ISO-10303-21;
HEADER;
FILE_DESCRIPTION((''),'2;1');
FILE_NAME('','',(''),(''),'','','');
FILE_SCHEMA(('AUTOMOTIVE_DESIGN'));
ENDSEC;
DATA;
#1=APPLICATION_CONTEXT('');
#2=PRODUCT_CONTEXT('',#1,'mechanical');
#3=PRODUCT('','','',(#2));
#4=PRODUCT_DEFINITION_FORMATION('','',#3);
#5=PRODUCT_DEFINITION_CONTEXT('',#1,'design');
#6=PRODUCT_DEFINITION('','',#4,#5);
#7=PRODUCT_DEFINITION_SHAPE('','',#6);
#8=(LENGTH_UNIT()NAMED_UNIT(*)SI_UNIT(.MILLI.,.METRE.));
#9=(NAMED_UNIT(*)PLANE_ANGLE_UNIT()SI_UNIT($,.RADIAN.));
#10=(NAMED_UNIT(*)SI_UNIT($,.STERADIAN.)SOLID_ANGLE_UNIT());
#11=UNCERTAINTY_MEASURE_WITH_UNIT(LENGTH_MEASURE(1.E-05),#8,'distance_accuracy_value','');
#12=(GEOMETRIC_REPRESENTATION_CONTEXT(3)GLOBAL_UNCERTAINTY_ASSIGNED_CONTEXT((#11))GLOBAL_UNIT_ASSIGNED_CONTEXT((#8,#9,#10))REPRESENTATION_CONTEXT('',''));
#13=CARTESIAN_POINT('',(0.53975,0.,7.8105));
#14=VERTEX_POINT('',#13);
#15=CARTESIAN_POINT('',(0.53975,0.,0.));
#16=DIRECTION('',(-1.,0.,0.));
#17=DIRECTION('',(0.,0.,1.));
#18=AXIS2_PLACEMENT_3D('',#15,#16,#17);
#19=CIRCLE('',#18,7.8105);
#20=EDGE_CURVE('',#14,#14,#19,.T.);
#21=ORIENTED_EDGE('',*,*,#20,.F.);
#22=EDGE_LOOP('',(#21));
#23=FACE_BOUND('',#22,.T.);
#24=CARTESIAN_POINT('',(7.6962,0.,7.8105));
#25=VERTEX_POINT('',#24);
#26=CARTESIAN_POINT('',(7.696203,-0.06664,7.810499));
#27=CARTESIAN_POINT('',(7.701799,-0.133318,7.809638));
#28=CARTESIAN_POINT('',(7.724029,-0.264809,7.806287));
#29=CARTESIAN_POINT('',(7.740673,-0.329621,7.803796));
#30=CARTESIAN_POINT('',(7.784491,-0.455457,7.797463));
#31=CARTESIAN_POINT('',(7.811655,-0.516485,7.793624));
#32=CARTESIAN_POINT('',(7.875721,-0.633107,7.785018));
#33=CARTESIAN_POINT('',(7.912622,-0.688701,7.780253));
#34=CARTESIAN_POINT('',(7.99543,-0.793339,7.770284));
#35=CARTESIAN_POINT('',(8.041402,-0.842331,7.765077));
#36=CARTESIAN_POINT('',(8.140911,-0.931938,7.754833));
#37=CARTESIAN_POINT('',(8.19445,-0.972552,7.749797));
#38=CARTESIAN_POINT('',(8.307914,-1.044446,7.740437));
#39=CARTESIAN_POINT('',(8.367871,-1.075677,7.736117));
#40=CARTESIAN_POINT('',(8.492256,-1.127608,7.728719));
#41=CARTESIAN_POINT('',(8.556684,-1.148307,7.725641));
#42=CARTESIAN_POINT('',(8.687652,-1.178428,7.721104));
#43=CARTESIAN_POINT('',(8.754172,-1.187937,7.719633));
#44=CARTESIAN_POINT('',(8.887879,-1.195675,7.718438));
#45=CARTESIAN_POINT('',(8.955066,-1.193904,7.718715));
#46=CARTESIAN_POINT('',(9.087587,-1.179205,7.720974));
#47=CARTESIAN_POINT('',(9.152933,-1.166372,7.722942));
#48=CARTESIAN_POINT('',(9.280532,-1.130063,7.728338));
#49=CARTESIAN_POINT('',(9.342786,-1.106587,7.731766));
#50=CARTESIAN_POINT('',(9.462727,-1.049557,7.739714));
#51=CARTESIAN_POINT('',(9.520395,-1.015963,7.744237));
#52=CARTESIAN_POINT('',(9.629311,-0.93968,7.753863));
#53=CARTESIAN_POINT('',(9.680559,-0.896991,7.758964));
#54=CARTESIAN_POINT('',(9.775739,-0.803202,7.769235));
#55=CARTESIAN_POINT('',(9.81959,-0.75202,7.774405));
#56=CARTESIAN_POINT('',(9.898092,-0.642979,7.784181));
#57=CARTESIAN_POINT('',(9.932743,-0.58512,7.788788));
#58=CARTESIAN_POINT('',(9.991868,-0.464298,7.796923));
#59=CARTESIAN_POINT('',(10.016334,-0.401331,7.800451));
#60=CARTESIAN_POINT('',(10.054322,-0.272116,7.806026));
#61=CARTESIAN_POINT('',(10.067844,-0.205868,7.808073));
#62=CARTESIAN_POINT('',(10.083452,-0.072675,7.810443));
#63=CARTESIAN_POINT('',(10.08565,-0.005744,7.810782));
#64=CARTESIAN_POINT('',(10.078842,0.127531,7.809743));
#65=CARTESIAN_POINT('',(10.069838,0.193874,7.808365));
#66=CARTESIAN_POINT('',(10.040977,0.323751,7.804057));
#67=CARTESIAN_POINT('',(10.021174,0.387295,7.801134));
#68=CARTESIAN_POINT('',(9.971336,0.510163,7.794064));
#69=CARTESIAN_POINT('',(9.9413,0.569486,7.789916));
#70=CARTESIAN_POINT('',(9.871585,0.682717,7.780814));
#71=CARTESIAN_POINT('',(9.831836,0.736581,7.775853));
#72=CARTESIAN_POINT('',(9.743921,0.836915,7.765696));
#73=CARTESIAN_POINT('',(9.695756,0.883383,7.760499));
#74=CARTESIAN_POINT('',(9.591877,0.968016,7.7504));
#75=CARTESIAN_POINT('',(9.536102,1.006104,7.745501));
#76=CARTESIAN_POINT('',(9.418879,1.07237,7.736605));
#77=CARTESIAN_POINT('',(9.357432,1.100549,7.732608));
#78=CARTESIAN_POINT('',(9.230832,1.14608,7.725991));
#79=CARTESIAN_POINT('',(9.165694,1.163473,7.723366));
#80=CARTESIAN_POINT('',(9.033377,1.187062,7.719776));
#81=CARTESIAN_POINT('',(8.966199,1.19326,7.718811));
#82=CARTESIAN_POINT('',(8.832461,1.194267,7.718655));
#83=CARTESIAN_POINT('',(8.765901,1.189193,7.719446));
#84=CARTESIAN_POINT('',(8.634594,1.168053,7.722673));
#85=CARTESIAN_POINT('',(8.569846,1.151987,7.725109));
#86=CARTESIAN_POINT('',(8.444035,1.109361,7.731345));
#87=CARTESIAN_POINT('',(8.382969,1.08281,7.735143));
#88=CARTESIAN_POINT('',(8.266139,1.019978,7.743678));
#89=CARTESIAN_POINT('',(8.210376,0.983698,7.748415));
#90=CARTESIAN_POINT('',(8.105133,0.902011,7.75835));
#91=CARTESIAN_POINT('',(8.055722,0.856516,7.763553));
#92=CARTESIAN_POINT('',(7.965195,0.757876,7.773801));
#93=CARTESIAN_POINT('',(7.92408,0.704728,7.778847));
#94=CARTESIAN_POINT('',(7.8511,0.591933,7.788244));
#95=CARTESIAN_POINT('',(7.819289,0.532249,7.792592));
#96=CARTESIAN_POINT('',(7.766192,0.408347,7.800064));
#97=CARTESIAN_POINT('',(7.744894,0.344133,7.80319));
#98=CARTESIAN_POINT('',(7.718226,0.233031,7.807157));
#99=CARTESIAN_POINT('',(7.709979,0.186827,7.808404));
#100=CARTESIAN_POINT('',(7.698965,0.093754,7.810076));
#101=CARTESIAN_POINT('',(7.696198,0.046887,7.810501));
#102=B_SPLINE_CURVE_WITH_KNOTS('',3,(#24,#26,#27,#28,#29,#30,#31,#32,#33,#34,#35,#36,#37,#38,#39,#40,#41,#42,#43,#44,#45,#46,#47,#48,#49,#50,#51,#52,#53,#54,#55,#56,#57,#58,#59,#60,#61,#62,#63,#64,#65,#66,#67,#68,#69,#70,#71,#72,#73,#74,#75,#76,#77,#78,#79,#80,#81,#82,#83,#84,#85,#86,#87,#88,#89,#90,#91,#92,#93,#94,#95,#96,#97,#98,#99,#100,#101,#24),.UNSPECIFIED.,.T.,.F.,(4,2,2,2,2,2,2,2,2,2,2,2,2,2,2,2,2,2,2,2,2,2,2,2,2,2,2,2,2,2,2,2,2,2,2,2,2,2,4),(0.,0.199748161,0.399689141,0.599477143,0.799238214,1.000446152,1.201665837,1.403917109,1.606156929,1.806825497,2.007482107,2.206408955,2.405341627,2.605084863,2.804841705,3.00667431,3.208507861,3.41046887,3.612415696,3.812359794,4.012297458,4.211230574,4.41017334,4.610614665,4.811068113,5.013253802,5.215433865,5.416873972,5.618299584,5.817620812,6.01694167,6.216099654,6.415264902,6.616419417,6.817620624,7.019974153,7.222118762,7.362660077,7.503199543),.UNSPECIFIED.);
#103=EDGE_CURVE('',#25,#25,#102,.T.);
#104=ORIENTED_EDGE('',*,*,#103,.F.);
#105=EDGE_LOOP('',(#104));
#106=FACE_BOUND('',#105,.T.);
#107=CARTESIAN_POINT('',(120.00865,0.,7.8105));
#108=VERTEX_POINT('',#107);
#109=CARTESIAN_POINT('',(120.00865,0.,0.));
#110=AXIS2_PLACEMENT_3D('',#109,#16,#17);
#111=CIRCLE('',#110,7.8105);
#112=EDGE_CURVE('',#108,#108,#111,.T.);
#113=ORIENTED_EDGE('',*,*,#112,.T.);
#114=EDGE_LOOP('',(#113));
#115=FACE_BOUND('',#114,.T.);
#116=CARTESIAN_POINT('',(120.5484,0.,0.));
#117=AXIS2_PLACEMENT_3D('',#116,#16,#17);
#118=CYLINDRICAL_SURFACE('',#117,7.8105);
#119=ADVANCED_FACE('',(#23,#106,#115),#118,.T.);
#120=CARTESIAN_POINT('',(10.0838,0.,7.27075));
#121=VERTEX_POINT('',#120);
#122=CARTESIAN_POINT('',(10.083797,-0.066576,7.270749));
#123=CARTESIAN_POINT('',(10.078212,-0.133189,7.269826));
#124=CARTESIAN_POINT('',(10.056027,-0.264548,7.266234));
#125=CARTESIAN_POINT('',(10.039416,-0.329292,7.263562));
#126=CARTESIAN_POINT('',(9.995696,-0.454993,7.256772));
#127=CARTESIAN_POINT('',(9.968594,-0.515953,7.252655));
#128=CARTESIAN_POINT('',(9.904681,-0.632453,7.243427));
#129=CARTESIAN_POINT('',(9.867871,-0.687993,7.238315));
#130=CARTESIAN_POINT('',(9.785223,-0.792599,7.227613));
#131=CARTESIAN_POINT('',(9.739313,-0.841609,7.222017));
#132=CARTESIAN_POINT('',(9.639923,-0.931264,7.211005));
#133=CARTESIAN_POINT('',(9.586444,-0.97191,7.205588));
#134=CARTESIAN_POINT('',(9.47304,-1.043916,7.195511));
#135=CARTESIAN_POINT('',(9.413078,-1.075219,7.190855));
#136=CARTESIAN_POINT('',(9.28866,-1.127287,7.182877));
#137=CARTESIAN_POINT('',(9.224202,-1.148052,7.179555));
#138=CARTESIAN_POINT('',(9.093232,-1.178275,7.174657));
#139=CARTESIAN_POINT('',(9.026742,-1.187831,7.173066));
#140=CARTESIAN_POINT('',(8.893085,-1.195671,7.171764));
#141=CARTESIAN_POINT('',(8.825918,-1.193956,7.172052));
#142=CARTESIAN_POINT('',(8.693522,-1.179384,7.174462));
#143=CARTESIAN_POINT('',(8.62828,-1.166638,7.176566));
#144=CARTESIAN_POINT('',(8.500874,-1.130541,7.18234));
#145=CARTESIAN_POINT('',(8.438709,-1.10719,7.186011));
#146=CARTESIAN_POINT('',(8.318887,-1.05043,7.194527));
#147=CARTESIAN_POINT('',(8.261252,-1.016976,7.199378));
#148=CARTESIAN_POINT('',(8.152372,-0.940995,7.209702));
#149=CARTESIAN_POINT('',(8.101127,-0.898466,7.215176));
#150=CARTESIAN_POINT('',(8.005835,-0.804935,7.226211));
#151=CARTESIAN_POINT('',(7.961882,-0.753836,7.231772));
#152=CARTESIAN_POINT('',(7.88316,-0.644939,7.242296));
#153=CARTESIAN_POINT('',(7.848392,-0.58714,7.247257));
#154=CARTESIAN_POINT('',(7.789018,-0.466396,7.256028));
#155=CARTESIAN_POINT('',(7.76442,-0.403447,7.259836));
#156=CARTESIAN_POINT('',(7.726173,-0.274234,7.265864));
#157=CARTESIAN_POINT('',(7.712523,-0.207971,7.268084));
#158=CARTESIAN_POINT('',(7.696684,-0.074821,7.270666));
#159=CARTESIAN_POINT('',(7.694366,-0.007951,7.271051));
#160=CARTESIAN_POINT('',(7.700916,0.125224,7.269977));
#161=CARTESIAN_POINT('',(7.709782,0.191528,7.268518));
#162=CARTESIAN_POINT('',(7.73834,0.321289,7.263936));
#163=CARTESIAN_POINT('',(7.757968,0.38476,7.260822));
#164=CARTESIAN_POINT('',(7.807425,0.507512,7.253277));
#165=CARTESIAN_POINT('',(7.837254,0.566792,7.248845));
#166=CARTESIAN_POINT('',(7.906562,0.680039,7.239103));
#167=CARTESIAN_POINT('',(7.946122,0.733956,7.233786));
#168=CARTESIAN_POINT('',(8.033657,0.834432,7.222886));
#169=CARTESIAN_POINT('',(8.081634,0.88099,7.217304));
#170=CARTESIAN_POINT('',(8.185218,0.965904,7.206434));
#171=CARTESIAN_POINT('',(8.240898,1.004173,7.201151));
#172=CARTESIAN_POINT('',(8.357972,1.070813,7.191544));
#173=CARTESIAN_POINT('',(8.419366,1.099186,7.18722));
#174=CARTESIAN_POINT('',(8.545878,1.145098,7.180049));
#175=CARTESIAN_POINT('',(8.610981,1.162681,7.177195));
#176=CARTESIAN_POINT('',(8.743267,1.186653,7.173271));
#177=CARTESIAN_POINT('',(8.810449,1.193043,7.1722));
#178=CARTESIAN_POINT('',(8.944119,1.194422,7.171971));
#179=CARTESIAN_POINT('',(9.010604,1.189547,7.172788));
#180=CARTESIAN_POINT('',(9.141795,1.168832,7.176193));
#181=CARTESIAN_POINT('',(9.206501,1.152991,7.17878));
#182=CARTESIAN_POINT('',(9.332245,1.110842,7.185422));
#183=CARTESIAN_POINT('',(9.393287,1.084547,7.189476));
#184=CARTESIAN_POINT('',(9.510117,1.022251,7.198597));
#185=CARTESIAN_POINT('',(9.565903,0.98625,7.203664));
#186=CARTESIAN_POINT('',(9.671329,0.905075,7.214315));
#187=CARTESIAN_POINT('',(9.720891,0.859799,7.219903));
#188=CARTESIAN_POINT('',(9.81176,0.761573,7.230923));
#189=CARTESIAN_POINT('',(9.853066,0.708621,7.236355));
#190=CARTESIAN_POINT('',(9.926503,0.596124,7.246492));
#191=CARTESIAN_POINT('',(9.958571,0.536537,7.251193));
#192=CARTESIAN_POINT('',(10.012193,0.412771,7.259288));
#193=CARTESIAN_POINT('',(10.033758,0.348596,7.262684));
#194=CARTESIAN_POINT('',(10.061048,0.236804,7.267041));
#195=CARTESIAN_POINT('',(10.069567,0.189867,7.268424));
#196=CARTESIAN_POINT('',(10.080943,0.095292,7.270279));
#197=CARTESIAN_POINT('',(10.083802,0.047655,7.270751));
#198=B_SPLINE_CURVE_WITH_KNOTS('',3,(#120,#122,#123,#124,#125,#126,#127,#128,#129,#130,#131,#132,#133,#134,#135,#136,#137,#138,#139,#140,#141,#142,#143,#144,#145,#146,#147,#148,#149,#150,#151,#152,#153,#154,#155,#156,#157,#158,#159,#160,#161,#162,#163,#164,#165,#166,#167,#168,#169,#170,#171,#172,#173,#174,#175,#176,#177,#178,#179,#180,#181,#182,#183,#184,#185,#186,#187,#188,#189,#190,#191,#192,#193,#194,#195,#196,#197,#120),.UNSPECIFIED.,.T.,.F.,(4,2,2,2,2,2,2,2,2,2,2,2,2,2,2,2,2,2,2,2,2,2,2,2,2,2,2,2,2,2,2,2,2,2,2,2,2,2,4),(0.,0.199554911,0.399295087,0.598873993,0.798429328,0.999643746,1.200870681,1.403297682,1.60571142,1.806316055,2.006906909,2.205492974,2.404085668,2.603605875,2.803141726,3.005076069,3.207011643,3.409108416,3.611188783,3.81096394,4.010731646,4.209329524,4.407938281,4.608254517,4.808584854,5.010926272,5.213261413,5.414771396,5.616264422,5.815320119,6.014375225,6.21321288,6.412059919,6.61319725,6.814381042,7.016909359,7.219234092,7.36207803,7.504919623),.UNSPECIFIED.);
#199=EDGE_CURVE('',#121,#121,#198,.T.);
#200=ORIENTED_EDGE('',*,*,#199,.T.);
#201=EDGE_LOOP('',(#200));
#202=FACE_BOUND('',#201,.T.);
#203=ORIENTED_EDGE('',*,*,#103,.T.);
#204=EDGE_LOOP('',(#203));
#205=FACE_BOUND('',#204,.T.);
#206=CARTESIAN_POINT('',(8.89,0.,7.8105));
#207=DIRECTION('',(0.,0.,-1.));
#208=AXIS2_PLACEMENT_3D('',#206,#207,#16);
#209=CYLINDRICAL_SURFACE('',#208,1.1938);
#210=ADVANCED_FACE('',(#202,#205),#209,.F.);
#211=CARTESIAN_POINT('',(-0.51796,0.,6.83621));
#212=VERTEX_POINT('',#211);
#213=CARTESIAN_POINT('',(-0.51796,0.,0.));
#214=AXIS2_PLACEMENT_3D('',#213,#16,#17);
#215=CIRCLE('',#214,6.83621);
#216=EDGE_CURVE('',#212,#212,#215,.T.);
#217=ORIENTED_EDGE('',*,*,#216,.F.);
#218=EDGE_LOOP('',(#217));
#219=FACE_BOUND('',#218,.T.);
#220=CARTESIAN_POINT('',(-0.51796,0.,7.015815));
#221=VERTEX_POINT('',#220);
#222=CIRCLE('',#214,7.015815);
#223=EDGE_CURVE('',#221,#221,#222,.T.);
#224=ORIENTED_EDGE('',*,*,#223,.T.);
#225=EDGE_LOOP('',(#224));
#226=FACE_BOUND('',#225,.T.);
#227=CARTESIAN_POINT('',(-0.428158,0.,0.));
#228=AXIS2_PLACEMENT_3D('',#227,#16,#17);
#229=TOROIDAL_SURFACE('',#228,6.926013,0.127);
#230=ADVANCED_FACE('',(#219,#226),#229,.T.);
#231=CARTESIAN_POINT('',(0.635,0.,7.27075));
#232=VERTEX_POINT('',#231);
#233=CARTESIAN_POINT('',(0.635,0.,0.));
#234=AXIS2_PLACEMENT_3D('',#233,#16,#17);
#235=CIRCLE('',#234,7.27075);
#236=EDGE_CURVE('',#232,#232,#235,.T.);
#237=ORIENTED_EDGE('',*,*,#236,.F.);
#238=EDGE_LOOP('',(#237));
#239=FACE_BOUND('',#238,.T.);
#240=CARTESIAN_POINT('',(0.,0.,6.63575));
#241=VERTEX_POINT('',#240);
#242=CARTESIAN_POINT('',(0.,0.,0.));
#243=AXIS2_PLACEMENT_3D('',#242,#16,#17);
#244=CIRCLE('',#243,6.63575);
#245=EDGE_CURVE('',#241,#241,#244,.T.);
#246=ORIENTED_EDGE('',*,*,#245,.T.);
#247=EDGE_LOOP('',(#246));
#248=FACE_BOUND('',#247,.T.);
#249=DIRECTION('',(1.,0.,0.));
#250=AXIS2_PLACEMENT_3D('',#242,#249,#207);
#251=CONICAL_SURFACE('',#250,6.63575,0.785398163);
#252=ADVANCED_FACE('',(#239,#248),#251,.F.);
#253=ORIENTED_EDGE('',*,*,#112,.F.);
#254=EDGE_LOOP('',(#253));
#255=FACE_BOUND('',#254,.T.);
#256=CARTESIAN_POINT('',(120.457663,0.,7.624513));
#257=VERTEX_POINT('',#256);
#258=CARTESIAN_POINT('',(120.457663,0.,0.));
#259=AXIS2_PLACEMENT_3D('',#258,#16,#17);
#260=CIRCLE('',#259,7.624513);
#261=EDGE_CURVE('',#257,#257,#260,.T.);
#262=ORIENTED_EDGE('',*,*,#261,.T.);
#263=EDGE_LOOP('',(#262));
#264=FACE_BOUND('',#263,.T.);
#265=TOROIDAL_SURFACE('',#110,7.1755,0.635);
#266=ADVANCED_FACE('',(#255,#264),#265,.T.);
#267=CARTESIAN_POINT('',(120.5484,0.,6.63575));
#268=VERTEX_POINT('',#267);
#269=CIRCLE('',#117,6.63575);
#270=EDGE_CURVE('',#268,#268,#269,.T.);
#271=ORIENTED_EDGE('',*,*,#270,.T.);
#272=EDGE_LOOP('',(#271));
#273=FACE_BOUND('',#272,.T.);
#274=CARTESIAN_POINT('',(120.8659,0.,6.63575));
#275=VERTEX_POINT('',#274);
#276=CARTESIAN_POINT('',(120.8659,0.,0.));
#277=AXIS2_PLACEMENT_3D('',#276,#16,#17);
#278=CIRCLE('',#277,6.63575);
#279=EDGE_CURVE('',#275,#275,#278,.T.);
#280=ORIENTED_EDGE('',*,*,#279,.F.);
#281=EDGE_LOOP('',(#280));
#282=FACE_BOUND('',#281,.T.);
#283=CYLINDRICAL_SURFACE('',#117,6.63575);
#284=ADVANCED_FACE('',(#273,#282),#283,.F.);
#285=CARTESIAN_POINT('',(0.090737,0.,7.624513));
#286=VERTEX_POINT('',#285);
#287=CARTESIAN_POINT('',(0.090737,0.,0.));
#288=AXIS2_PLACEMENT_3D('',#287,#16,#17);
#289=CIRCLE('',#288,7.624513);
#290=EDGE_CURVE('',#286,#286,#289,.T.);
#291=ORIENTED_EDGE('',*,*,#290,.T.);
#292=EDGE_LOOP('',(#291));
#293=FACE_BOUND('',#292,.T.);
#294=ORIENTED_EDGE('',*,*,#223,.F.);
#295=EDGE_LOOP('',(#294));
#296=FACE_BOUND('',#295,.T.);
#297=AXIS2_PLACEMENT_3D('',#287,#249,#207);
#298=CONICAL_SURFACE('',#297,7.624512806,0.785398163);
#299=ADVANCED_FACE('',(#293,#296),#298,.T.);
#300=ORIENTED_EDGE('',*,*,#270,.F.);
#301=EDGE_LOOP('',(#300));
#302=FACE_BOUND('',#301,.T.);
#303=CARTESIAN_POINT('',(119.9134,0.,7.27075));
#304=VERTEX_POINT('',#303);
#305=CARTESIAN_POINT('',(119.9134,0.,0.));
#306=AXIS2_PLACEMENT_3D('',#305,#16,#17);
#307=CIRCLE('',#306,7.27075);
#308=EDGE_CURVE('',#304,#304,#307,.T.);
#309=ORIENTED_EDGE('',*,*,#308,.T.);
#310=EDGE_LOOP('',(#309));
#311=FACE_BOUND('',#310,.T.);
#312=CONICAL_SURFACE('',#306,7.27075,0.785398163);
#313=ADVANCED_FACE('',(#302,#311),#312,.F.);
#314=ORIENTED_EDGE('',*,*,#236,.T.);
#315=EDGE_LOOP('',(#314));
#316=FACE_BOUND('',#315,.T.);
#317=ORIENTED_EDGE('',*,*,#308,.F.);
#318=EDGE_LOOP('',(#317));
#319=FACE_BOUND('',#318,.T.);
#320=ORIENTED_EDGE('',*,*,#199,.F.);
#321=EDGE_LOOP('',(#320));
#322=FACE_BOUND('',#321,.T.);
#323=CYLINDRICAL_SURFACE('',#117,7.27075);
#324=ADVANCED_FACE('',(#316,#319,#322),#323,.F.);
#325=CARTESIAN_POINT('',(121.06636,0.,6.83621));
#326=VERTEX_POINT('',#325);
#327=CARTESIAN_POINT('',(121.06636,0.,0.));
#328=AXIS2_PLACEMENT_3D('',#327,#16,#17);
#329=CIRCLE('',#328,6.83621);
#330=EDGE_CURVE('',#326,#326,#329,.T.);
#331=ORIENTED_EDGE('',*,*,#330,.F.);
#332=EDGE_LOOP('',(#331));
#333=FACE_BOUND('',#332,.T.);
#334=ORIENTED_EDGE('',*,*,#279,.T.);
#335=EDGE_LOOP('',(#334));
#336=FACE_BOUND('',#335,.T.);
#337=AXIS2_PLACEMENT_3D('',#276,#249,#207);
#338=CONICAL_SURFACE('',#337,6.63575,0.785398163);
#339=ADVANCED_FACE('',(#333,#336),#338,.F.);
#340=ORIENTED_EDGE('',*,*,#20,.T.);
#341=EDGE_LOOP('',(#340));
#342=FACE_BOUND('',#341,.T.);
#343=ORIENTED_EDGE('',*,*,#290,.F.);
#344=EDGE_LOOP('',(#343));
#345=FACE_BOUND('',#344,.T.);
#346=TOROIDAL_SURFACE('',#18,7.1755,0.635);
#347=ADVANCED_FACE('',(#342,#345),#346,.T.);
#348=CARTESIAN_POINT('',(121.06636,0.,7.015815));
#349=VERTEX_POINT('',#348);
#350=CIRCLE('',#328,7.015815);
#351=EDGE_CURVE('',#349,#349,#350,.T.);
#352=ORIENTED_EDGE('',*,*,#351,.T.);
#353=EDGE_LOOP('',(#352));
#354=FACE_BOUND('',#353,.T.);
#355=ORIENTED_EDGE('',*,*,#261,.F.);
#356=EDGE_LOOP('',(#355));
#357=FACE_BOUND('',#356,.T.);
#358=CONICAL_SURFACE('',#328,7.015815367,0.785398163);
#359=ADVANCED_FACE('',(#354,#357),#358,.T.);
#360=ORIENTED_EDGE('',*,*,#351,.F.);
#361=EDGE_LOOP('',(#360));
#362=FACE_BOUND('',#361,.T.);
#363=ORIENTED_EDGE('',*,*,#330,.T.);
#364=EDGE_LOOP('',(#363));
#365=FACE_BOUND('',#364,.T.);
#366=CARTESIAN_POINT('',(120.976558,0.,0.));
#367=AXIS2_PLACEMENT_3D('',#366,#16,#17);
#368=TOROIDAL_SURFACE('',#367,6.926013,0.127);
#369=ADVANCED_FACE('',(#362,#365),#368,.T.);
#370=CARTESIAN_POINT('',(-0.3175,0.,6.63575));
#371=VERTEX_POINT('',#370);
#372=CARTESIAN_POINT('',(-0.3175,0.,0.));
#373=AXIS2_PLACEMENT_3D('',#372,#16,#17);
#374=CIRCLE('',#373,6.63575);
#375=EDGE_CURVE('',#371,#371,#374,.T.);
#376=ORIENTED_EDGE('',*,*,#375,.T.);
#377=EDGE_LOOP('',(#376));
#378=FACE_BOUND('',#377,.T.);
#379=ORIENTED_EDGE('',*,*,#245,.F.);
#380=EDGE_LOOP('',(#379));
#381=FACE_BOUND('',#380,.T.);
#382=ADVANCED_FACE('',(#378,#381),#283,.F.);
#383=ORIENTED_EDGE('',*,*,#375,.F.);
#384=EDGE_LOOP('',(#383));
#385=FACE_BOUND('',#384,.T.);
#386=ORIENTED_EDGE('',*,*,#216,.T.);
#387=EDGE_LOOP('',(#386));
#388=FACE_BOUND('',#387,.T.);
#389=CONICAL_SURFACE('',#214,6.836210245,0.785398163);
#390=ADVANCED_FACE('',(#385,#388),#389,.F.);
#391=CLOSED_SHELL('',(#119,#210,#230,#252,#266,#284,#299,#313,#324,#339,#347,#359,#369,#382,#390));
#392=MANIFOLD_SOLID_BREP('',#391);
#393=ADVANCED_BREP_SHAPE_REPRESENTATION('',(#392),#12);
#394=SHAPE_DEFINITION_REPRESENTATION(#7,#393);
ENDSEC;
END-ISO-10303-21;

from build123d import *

# Parameters (mm, degrees)
SKETCH2_R          = 1.1938
CUT_EXTRUDE1_DEPTH = 7.8105


with BuildPart() as part:
    # Sketch1 → Revolve1 (revolve)
    with BuildSketch(Plane.XY):
        with BuildLine():
            Line((-0.517960245, 6.836210245), (-0.3175, 6.63575))
            Line((-0.3175, 6.63575), (0, 6.63575))
            Line((0, 6.63575), (0.635, 7.27075))
            Line((0.635, 7.27075), (119.9134, 7.27075))
            Line((119.9134, 7.27075), (120.5484, 6.63575))
            Line((120.5484, 6.63575), (120.8659, 6.63575))
            Line((120.8659, 6.63575), (121.066360245, 6.836210245))
            ThreePointArc((121.066360245, 6.836210245), (121.103557684, 6.926012806), (121.066360245, 7.015815367))
            Line((121.066360245, 7.015815367), (120.457662806, 7.624512806))
            ThreePointArc((120.457662806, 7.624512806), (120.25165398, 7.762163503), (120.00865, 7.8105))
            Line((120.00865, 7.8105), (0.53975, 7.8105))
            ThreePointArc((0.53975, 7.8105), (0.29674602, 7.762163503), (0.090737194, 7.624512806))
            Line((0.090737194, 7.624512806), (-0.517960245, 7.015815367))
            ThreePointArc((-0.517960245, 7.015815367), (-0.555157684, 6.926012806), (-0.517960245, 6.836210245))
        make_face()
    revolve(axis=Axis((120.5484, 0, 0), (-1, 0, 0)))

    # Sketch2 → Cut-Extrude1 (cut)
    with BuildSketch(Plane.XY):
        with Locations((8.89, 0)):
            Circle(SKETCH2_R)
    extrude(amount=CUT_EXTRUDE1_DEPTH, mode=Mode.SUBTRACT)


solid = part.part
